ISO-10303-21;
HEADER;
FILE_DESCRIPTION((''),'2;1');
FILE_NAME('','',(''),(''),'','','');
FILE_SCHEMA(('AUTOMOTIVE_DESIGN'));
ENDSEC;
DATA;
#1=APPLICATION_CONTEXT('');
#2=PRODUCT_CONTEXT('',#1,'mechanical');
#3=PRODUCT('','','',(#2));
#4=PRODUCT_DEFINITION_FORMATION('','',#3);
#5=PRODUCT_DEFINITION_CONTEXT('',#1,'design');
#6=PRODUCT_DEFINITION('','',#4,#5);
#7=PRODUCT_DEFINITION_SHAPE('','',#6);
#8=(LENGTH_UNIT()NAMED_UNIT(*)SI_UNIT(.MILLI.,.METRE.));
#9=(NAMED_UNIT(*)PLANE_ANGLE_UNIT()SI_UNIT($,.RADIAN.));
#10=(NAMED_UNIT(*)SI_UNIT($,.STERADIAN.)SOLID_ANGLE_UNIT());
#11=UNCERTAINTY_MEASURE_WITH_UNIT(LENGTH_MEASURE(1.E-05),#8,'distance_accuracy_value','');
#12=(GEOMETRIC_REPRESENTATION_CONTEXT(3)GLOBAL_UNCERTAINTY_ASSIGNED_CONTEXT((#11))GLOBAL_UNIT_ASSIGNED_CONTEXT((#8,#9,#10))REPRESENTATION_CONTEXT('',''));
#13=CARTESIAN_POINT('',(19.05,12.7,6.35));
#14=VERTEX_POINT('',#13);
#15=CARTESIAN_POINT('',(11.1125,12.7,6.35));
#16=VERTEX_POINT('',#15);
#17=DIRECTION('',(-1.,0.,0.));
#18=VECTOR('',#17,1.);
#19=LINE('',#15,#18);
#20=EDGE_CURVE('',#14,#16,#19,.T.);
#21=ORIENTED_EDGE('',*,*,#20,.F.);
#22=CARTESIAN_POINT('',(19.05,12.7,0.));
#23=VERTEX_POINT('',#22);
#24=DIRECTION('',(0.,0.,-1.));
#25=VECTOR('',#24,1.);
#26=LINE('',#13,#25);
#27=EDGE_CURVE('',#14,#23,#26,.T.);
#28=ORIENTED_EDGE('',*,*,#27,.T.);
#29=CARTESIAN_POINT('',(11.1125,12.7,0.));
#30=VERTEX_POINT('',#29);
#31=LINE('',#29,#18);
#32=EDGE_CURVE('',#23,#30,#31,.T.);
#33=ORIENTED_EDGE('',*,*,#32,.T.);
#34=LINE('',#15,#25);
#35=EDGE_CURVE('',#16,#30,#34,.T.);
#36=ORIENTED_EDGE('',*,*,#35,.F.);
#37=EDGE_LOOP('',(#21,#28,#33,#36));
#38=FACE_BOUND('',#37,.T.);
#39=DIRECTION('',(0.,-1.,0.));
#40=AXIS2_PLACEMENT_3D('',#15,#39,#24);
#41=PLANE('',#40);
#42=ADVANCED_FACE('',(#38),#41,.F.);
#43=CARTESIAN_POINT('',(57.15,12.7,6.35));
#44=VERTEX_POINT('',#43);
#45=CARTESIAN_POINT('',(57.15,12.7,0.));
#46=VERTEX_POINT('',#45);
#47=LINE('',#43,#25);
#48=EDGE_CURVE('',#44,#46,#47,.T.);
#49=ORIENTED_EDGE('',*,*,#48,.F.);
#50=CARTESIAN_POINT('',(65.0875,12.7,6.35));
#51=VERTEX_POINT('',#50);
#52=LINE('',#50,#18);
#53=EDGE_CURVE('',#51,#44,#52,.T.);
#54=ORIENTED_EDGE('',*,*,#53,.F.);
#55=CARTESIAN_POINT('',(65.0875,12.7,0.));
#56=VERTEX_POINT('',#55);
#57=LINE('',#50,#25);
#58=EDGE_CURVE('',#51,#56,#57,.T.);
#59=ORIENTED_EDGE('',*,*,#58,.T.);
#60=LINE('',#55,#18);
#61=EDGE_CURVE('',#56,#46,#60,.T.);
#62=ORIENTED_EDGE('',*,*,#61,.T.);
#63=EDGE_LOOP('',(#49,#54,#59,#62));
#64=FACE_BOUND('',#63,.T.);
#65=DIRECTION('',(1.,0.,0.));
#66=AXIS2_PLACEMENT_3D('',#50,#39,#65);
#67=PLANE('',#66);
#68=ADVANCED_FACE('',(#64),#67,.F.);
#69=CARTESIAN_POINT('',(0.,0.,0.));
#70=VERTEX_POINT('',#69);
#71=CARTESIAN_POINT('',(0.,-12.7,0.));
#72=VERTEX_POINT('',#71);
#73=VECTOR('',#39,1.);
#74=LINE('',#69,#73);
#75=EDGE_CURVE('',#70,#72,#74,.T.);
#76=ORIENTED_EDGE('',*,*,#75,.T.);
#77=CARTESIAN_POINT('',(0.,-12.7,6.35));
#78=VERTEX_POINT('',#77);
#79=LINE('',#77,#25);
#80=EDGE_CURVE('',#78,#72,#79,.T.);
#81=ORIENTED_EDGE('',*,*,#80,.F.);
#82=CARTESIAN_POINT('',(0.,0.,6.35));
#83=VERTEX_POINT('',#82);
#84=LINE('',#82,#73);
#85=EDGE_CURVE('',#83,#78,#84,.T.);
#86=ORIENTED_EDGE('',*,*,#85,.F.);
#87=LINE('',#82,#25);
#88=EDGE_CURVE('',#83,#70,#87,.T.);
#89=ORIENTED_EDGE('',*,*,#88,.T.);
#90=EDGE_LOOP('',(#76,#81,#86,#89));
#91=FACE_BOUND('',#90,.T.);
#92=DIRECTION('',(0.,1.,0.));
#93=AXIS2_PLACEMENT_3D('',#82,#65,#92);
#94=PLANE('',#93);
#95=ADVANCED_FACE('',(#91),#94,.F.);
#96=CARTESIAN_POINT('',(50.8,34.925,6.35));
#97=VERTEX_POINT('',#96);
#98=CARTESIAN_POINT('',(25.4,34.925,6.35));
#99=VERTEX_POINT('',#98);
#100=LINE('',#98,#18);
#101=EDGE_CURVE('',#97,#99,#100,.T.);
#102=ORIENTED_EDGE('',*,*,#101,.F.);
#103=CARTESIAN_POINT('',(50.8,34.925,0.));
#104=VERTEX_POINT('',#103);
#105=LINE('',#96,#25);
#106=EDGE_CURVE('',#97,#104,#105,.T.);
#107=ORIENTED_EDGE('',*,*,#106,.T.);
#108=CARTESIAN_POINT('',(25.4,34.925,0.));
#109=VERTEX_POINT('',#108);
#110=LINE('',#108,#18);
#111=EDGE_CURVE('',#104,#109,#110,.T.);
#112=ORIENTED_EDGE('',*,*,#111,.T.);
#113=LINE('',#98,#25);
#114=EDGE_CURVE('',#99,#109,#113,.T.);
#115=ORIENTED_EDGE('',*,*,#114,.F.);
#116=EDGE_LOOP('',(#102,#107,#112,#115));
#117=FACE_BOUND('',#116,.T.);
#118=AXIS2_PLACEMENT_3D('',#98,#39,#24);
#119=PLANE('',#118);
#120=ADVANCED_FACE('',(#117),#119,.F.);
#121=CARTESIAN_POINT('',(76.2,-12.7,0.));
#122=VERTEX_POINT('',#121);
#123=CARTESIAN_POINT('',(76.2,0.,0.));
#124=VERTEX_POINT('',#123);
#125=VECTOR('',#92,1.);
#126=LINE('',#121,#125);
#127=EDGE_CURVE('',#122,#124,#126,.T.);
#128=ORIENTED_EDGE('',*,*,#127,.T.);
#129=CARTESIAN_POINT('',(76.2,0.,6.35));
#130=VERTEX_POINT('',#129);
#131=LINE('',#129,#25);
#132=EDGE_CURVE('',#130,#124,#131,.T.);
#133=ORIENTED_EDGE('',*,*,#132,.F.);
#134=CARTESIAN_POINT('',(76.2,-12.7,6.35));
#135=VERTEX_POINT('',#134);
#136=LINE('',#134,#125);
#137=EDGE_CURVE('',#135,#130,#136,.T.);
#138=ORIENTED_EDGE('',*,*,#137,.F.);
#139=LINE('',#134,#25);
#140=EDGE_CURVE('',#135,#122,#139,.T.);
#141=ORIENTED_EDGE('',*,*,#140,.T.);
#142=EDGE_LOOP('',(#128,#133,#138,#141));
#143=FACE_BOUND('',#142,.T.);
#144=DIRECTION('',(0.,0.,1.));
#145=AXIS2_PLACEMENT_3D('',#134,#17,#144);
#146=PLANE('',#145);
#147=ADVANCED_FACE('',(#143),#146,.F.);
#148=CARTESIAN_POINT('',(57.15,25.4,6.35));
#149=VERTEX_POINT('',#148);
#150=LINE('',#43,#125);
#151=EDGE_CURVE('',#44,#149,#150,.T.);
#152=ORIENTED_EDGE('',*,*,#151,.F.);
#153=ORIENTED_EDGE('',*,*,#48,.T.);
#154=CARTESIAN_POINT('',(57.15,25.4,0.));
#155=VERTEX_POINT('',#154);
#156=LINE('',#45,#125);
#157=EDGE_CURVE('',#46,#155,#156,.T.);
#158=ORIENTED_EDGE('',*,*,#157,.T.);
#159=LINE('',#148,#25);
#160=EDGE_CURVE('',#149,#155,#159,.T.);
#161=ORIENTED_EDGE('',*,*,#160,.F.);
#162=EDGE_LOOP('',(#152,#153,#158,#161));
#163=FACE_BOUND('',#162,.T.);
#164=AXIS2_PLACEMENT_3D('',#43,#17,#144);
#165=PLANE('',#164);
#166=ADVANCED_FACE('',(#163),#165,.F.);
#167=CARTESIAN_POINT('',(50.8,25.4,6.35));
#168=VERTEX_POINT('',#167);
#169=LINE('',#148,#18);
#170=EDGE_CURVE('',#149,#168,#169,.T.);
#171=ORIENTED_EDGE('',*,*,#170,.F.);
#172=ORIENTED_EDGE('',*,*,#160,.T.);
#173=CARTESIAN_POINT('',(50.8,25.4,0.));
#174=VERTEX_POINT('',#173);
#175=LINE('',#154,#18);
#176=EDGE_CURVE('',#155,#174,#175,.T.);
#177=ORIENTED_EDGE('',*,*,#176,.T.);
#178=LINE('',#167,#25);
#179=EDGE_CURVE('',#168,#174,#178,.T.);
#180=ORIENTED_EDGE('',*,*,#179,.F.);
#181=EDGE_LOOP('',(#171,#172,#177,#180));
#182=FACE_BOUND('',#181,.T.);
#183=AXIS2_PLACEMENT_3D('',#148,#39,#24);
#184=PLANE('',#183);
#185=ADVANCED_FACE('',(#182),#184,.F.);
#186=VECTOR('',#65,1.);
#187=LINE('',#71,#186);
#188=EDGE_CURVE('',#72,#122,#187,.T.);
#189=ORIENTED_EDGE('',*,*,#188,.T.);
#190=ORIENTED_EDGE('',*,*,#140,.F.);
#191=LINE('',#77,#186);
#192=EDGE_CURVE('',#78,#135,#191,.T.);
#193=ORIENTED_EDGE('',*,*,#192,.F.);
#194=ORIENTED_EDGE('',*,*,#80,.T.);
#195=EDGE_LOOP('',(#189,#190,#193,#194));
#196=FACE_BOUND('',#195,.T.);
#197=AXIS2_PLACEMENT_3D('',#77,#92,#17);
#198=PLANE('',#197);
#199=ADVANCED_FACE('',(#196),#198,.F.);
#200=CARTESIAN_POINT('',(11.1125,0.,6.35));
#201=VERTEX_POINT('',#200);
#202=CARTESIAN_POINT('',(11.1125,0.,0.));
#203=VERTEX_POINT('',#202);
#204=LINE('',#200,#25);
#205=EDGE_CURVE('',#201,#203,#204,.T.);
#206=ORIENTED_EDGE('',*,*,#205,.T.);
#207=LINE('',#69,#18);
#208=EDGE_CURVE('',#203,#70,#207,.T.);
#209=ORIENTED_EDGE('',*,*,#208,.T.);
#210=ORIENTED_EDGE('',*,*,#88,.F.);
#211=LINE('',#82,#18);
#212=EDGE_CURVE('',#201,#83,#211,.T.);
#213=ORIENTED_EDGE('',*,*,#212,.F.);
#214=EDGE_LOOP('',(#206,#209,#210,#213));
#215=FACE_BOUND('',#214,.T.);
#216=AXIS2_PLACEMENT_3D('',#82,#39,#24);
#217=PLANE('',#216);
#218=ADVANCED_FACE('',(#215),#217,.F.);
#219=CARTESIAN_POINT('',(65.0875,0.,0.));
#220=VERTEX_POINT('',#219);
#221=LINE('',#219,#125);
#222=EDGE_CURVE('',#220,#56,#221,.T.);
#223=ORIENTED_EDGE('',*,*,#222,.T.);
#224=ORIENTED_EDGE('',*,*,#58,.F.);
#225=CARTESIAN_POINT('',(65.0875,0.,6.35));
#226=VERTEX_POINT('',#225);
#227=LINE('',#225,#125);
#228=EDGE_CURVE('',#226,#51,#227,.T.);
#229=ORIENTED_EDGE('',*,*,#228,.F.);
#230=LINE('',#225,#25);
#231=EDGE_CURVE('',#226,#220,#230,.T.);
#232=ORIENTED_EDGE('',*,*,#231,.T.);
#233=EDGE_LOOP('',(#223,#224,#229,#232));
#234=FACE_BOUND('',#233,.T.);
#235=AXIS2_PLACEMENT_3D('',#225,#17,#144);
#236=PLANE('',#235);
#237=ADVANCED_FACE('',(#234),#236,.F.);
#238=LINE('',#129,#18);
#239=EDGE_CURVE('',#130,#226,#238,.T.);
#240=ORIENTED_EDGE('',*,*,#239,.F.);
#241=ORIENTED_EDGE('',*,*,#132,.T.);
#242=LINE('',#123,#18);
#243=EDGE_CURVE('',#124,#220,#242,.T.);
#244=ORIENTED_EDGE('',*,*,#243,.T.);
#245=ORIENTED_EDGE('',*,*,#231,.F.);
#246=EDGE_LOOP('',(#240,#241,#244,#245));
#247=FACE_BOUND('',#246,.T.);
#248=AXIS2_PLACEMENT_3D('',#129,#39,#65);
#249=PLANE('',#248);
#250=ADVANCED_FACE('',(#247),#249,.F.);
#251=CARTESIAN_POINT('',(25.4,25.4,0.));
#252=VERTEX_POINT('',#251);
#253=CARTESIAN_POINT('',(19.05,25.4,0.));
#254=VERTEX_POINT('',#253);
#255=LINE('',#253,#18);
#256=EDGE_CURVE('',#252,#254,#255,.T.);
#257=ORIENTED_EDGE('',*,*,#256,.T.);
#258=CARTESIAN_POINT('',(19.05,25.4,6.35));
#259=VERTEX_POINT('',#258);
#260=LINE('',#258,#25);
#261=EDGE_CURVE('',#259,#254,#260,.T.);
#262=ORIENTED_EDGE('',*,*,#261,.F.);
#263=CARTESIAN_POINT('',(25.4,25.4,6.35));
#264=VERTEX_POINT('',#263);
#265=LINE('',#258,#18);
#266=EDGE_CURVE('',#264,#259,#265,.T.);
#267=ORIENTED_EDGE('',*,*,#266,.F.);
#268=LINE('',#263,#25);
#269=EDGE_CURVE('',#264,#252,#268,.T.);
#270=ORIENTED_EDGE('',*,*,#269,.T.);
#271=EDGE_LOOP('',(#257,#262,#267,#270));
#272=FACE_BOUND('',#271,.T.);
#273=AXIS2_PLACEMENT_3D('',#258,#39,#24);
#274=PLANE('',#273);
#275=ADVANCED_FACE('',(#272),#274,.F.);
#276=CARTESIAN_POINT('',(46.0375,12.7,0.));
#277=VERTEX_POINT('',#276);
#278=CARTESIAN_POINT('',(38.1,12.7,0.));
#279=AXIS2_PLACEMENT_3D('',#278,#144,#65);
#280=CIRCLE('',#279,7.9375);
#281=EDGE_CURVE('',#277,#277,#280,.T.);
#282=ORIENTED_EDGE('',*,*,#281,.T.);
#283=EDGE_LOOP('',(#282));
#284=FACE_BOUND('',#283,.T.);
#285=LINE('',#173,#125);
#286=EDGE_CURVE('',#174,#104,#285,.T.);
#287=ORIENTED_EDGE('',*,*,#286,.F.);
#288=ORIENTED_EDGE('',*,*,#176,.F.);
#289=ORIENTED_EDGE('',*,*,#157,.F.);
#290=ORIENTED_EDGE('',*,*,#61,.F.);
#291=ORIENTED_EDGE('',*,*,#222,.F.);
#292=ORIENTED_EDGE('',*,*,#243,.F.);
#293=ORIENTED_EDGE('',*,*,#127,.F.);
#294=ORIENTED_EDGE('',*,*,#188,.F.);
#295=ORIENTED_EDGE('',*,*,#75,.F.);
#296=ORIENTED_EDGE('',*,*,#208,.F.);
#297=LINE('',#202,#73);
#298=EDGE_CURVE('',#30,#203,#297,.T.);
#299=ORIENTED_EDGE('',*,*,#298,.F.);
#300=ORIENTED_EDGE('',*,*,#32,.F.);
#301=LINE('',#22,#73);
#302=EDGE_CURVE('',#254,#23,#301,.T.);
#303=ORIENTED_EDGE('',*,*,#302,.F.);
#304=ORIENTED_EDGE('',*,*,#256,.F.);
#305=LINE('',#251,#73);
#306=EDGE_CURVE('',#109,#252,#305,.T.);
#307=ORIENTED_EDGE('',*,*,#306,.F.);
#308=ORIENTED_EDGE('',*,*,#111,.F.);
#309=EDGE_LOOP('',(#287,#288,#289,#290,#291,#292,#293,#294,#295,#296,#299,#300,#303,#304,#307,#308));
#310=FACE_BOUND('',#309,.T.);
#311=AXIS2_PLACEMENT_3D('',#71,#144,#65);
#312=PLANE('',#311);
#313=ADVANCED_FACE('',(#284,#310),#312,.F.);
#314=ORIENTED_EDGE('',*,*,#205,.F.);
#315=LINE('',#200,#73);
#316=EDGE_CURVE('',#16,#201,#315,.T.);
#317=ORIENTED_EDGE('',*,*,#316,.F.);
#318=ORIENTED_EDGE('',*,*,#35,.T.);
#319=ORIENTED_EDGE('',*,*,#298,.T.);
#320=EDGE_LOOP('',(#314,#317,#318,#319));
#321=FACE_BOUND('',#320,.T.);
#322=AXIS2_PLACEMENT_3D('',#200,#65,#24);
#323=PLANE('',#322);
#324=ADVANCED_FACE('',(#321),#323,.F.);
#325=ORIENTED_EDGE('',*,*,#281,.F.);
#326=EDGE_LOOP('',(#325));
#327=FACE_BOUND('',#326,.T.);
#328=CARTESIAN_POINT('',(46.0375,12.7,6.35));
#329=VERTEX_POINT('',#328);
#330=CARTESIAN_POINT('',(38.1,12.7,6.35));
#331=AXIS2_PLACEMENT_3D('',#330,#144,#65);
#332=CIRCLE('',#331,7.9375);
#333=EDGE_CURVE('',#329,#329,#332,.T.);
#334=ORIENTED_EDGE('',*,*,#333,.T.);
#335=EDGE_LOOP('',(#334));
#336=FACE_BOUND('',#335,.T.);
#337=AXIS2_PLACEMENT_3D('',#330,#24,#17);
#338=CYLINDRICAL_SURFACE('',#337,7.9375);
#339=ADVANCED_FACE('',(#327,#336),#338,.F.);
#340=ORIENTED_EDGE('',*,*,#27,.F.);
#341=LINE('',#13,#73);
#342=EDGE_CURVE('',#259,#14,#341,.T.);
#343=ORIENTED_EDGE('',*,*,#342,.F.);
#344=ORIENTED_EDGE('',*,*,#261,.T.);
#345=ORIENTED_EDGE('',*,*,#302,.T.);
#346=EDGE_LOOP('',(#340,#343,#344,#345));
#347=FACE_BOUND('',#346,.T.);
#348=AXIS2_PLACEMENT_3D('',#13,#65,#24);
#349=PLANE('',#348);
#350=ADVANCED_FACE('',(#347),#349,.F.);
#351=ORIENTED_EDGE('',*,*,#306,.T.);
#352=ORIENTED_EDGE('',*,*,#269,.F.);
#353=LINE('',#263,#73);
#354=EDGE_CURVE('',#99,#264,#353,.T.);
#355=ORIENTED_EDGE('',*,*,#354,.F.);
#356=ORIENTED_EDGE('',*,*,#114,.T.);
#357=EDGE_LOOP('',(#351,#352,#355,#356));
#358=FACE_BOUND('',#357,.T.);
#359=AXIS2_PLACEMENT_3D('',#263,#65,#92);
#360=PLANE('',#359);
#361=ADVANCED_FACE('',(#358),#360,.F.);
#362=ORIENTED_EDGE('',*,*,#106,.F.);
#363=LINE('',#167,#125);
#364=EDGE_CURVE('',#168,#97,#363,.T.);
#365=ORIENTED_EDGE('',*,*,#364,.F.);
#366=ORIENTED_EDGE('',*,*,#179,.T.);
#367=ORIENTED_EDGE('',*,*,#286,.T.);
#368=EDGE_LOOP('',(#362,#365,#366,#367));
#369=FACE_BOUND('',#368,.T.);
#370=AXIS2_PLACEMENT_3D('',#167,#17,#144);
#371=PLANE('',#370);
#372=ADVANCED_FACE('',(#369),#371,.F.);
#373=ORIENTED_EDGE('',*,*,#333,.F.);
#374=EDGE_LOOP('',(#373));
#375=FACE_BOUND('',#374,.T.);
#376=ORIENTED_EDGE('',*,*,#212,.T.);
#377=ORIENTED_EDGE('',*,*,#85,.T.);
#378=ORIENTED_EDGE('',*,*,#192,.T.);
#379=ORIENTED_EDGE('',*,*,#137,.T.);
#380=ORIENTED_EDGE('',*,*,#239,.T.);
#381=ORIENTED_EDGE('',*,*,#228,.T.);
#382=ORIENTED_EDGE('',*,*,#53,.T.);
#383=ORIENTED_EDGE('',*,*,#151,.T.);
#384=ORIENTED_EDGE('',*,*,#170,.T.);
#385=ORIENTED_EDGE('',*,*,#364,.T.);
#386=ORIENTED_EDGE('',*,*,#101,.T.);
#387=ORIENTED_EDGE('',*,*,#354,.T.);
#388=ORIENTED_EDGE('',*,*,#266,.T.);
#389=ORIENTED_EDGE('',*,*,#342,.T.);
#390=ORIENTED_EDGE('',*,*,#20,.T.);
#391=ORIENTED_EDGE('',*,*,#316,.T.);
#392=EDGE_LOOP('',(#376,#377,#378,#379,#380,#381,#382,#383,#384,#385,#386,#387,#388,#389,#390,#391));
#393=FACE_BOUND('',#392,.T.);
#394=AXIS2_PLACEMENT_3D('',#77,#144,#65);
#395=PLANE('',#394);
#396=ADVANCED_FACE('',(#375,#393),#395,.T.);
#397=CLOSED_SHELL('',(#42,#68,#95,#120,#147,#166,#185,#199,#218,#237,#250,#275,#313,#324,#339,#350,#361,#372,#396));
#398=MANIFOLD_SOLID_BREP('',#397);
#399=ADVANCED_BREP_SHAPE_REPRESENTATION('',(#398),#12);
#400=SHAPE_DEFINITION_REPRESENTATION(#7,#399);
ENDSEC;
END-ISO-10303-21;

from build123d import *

# Parameters (mm, degrees)
SKETCH1_R           = 7.9375
BOSS_EXTRUDE1_DEPTH = 6.35


with BuildPart() as part:
    # Sketch1 → Boss-Extrude1 (new body)
    with BuildSketch(Plane.XY):
        Polygon((0, 0), (11.1125, 0), (11.1125, 12.7), (19.05, 12.7), (19.05, 25.4), (25.4, 25.4), (25.4, 34.925), (50.8, 34.925), (50.8, 25.4), (57.15, 25.4), (57.15, 12.7), (65.0875, 12.7), (65.0875, 0), (76.2, 0), (76.2, -12.7), (0, -12.7), align=None)
        with Locations((38.1, 12.7)):
            Circle(SKETCH1_R, mode=Mode.SUBTRACT)
    extrude(amount=BOSS_EXTRUDE1_DEPTH)


solid = part.part
